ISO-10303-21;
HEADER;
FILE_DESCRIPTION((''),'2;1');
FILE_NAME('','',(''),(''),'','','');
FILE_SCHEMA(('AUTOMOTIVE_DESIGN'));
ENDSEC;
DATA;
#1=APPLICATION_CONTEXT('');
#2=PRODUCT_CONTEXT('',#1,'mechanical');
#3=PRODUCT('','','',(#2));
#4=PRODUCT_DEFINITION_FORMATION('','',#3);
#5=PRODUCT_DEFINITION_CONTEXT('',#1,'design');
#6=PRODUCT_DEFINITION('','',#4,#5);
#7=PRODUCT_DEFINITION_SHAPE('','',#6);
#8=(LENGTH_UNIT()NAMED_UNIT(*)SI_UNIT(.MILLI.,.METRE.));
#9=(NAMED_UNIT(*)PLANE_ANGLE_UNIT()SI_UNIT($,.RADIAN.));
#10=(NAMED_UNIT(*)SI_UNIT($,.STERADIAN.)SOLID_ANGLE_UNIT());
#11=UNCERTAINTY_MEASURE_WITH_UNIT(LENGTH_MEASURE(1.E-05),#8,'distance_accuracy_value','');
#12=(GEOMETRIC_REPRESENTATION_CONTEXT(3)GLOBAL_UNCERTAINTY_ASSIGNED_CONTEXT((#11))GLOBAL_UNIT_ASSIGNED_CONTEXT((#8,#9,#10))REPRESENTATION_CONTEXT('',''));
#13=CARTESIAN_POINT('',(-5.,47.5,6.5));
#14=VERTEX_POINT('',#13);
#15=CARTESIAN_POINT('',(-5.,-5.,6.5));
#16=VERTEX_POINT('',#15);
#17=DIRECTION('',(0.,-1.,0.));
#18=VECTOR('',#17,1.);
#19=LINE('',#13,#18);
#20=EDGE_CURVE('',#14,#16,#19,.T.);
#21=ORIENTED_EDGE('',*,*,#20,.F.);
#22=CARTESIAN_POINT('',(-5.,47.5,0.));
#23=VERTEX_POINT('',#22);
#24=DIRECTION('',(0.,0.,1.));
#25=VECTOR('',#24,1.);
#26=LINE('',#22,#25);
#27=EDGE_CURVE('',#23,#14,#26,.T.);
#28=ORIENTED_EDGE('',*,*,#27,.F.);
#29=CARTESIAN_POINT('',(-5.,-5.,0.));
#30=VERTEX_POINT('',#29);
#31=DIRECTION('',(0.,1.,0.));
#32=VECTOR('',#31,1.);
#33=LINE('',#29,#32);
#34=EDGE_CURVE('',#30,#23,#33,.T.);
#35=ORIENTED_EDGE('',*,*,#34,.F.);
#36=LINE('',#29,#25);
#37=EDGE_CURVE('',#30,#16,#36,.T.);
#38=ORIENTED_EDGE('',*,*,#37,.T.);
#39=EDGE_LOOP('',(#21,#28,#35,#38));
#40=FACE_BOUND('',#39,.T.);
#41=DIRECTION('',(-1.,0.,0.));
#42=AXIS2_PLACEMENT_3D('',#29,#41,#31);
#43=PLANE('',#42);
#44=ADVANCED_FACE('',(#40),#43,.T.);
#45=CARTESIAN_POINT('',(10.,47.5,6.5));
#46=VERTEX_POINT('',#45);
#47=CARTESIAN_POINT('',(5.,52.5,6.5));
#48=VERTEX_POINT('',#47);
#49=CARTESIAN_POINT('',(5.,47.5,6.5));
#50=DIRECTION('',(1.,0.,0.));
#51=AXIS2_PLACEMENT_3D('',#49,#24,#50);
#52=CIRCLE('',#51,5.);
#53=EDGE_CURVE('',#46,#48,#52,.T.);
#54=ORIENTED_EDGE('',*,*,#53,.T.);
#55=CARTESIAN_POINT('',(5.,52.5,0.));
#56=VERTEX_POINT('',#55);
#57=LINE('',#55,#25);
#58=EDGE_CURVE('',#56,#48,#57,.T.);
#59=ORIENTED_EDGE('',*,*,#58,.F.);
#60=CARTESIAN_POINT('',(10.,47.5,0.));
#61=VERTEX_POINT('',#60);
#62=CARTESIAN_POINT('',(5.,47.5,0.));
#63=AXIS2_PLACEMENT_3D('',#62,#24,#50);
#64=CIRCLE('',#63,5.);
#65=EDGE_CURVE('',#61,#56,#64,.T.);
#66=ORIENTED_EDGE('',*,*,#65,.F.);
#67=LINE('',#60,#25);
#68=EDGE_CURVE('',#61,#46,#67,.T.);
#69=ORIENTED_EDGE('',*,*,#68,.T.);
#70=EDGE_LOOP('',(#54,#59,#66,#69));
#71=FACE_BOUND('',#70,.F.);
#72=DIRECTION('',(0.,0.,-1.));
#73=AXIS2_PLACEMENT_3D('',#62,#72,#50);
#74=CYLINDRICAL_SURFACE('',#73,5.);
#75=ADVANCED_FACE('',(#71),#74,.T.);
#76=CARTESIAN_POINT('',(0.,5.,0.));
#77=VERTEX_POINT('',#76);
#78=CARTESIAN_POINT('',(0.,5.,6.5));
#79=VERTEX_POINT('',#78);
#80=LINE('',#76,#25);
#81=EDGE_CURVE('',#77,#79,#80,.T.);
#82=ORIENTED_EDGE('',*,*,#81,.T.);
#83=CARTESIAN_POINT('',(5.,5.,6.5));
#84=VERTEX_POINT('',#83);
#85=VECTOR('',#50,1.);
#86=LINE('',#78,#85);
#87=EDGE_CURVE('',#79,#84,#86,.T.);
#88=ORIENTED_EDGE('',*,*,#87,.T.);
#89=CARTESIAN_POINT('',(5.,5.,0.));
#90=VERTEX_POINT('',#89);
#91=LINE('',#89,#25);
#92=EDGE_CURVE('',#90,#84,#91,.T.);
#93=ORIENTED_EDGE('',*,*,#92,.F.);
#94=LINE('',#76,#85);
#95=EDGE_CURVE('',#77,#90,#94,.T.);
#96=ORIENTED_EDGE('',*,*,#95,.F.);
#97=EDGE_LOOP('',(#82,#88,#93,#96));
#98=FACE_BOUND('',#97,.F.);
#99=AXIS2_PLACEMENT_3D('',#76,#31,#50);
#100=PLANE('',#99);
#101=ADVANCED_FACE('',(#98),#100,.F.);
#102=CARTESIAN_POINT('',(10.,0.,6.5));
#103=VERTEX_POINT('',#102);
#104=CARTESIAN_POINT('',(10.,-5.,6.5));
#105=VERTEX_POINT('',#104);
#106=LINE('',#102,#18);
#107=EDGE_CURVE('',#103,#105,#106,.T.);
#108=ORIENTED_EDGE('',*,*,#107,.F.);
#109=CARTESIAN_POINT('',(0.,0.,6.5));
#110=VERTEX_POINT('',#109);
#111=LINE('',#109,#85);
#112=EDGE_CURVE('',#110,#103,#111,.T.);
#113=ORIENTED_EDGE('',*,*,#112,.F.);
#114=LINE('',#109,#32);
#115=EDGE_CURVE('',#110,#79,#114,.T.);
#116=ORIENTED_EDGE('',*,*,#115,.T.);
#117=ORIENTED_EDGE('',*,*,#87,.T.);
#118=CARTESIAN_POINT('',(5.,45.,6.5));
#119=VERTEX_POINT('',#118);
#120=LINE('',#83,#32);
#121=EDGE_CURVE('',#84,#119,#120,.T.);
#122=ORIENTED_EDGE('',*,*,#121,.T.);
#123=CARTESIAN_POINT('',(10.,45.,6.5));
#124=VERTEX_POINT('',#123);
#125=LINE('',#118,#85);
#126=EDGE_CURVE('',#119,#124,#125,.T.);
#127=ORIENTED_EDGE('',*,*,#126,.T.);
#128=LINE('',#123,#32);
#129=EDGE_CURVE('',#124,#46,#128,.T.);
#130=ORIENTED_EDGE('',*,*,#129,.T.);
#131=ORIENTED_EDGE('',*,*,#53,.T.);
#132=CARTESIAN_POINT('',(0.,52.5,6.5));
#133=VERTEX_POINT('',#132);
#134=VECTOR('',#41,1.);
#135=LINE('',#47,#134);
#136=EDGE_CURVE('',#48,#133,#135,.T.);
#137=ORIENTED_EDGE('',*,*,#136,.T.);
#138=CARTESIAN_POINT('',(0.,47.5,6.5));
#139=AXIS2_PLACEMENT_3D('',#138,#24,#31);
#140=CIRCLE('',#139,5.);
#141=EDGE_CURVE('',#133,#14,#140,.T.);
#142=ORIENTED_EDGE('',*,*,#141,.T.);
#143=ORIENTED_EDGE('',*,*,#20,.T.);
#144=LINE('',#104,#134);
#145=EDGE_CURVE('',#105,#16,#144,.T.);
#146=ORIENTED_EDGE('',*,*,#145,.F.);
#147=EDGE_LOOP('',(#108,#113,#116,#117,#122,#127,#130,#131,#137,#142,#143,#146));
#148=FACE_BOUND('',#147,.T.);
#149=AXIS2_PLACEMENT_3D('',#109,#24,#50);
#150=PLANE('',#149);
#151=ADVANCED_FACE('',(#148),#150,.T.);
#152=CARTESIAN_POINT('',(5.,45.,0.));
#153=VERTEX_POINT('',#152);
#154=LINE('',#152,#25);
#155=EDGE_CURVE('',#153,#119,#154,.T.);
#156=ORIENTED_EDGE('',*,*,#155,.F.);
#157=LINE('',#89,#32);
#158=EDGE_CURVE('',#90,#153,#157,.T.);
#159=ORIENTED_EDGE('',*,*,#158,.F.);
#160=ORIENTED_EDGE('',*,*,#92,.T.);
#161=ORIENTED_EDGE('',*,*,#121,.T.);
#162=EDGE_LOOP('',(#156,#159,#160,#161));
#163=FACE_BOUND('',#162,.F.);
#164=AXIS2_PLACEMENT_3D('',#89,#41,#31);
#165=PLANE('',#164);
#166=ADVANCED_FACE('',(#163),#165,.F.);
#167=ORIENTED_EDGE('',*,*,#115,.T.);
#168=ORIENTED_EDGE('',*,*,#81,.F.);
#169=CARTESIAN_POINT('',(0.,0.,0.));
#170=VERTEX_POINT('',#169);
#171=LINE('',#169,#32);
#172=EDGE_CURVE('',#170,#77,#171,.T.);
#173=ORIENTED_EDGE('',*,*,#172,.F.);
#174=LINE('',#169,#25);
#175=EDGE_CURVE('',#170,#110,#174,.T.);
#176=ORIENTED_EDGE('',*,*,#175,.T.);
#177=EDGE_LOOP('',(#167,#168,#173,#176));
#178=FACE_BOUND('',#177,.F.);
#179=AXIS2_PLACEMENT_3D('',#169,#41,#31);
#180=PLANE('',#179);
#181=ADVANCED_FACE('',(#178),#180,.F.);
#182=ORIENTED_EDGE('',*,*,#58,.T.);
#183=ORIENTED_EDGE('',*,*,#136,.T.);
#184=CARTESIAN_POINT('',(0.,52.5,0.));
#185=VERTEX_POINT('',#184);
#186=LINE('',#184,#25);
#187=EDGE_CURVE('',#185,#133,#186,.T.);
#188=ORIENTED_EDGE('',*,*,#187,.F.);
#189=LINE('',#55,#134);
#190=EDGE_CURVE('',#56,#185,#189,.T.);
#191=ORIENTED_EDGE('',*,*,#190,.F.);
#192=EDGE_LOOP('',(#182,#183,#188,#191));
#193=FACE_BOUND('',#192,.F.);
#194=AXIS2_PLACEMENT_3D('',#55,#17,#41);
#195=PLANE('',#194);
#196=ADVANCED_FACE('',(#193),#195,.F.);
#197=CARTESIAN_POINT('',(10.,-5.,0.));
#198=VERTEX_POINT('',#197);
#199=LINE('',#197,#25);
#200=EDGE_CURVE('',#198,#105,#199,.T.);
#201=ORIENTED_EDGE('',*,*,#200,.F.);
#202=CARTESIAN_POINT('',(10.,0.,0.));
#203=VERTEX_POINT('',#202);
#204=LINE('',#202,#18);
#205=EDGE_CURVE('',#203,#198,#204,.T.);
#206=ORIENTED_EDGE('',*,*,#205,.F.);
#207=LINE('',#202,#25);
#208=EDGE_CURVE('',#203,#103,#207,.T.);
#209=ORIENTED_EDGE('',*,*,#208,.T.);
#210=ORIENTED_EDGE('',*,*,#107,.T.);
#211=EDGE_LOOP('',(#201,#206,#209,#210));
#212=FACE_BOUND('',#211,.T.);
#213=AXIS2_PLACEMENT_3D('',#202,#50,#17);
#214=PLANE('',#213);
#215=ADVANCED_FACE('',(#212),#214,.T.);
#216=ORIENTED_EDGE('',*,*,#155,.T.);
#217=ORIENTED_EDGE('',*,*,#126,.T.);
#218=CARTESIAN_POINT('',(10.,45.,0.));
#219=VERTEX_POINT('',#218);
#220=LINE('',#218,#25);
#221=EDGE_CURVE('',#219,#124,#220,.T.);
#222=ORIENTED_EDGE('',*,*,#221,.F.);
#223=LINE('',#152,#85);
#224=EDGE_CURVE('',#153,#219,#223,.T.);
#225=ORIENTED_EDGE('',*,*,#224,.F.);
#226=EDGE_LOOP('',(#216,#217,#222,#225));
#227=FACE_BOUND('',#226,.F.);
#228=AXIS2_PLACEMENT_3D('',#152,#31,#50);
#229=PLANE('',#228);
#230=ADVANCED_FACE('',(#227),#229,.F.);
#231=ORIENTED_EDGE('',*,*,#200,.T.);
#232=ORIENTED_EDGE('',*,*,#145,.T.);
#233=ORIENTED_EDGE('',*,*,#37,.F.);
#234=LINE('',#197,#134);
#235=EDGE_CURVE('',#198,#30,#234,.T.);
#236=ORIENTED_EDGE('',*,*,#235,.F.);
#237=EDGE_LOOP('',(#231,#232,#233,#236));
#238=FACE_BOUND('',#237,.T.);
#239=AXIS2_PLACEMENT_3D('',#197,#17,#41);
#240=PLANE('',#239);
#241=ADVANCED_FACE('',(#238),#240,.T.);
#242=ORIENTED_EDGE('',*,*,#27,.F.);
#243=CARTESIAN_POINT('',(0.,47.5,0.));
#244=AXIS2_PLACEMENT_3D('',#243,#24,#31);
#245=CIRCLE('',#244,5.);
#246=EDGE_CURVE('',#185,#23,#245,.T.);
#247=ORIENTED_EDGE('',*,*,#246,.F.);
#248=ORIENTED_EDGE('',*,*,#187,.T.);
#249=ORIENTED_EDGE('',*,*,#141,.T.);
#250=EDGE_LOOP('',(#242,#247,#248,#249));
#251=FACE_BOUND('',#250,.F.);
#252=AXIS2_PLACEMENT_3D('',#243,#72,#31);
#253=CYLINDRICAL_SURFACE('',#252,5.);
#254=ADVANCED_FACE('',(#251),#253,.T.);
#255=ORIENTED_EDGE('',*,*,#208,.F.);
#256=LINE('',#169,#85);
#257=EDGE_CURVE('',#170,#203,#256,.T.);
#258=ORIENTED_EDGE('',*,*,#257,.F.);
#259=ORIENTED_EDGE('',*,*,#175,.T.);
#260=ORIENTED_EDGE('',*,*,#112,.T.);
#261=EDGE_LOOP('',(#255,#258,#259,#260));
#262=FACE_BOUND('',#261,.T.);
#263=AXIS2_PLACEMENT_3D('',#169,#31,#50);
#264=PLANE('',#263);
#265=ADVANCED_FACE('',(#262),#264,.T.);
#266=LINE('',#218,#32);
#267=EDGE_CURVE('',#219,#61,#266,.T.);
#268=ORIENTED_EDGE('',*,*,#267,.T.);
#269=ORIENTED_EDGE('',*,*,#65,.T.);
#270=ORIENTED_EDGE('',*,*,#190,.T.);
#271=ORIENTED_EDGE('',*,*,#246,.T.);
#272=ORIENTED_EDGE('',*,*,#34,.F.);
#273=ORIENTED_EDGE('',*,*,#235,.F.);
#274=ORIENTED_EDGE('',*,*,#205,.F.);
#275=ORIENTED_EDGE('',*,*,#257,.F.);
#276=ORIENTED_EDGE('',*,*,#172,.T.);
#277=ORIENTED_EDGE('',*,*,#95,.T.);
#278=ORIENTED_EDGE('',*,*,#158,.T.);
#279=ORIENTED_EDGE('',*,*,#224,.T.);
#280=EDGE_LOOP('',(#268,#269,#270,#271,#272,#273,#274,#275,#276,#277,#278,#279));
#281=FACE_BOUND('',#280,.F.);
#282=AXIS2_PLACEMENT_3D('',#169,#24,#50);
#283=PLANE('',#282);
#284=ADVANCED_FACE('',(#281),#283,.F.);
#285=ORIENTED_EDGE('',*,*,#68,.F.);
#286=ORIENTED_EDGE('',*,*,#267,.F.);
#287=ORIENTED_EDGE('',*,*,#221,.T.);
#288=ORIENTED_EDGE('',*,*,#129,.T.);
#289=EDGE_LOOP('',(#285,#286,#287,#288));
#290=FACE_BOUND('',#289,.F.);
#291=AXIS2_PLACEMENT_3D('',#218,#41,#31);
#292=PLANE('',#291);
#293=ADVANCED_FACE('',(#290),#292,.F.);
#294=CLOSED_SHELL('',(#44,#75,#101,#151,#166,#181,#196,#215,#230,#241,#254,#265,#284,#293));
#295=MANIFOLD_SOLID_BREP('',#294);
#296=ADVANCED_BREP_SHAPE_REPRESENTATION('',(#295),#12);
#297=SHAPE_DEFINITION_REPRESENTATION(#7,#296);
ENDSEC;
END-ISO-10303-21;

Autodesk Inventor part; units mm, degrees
ref_plane "YZ Plane" through (0, 0, 0) normal (1, 0, 0) x (0, 1, 0)
ref_plane "XZ Plane" through (0, 0, 0) normal (0, 1, 0) x (-1, 0, 0)
ref_plane "XY Plane" through (0, 0, 0) normal (0, 0, 1) x (1, 0, 0)
sketch "Sketch1" plane through (0, 0, 0) normal (0, 0, 1) x (1, 0, 0)
  line L0 (0, 0) -> (-5, 0)
  line L1 (0, 0) -> (0, 5)
  line L2 (0, 5) -> (5, 5)
  line L3 (5, 5) -> (5, 45)
  line L4 (5, 45) -> (10, 45)
  line L5 (10, 45) -> (10, 47.5)
  line L6 (5, 52.5) -> (0, 52.5)
  line L7 (-5, 47.5) -> (-5, 0)
  line L8 (0, 0) -> (10, 0)
  line L9 (10, 0) -> (10, -5)
  line L10 (10, -5) -> (-5, -5)
  line L11 (-5, -5) -> (-5, 0)
  arc A0 (10, 47.5) -> (5, 52.5) centre (5, 47.5) ccw
  arc A1 (0, 52.5) -> (-5, 47.5) centre (0, 47.5) ccw
  point P0 (10, 52.5)
  point P1 (-5, 52.5)
  dimension "d0" = 5
  dimension "d1" = 5
  dimension "d2" = 5
  dimension "d3" = 40
  dimension "d4" = 5
  dimension "d5" = 7.5
  dimension "d8" = 10
  dimension "d9" = 5
  dimension "d10" = 5
extrude "Extrusion1" add sketch "Sketch1" along normal blind 6.5
properties part number "block"
